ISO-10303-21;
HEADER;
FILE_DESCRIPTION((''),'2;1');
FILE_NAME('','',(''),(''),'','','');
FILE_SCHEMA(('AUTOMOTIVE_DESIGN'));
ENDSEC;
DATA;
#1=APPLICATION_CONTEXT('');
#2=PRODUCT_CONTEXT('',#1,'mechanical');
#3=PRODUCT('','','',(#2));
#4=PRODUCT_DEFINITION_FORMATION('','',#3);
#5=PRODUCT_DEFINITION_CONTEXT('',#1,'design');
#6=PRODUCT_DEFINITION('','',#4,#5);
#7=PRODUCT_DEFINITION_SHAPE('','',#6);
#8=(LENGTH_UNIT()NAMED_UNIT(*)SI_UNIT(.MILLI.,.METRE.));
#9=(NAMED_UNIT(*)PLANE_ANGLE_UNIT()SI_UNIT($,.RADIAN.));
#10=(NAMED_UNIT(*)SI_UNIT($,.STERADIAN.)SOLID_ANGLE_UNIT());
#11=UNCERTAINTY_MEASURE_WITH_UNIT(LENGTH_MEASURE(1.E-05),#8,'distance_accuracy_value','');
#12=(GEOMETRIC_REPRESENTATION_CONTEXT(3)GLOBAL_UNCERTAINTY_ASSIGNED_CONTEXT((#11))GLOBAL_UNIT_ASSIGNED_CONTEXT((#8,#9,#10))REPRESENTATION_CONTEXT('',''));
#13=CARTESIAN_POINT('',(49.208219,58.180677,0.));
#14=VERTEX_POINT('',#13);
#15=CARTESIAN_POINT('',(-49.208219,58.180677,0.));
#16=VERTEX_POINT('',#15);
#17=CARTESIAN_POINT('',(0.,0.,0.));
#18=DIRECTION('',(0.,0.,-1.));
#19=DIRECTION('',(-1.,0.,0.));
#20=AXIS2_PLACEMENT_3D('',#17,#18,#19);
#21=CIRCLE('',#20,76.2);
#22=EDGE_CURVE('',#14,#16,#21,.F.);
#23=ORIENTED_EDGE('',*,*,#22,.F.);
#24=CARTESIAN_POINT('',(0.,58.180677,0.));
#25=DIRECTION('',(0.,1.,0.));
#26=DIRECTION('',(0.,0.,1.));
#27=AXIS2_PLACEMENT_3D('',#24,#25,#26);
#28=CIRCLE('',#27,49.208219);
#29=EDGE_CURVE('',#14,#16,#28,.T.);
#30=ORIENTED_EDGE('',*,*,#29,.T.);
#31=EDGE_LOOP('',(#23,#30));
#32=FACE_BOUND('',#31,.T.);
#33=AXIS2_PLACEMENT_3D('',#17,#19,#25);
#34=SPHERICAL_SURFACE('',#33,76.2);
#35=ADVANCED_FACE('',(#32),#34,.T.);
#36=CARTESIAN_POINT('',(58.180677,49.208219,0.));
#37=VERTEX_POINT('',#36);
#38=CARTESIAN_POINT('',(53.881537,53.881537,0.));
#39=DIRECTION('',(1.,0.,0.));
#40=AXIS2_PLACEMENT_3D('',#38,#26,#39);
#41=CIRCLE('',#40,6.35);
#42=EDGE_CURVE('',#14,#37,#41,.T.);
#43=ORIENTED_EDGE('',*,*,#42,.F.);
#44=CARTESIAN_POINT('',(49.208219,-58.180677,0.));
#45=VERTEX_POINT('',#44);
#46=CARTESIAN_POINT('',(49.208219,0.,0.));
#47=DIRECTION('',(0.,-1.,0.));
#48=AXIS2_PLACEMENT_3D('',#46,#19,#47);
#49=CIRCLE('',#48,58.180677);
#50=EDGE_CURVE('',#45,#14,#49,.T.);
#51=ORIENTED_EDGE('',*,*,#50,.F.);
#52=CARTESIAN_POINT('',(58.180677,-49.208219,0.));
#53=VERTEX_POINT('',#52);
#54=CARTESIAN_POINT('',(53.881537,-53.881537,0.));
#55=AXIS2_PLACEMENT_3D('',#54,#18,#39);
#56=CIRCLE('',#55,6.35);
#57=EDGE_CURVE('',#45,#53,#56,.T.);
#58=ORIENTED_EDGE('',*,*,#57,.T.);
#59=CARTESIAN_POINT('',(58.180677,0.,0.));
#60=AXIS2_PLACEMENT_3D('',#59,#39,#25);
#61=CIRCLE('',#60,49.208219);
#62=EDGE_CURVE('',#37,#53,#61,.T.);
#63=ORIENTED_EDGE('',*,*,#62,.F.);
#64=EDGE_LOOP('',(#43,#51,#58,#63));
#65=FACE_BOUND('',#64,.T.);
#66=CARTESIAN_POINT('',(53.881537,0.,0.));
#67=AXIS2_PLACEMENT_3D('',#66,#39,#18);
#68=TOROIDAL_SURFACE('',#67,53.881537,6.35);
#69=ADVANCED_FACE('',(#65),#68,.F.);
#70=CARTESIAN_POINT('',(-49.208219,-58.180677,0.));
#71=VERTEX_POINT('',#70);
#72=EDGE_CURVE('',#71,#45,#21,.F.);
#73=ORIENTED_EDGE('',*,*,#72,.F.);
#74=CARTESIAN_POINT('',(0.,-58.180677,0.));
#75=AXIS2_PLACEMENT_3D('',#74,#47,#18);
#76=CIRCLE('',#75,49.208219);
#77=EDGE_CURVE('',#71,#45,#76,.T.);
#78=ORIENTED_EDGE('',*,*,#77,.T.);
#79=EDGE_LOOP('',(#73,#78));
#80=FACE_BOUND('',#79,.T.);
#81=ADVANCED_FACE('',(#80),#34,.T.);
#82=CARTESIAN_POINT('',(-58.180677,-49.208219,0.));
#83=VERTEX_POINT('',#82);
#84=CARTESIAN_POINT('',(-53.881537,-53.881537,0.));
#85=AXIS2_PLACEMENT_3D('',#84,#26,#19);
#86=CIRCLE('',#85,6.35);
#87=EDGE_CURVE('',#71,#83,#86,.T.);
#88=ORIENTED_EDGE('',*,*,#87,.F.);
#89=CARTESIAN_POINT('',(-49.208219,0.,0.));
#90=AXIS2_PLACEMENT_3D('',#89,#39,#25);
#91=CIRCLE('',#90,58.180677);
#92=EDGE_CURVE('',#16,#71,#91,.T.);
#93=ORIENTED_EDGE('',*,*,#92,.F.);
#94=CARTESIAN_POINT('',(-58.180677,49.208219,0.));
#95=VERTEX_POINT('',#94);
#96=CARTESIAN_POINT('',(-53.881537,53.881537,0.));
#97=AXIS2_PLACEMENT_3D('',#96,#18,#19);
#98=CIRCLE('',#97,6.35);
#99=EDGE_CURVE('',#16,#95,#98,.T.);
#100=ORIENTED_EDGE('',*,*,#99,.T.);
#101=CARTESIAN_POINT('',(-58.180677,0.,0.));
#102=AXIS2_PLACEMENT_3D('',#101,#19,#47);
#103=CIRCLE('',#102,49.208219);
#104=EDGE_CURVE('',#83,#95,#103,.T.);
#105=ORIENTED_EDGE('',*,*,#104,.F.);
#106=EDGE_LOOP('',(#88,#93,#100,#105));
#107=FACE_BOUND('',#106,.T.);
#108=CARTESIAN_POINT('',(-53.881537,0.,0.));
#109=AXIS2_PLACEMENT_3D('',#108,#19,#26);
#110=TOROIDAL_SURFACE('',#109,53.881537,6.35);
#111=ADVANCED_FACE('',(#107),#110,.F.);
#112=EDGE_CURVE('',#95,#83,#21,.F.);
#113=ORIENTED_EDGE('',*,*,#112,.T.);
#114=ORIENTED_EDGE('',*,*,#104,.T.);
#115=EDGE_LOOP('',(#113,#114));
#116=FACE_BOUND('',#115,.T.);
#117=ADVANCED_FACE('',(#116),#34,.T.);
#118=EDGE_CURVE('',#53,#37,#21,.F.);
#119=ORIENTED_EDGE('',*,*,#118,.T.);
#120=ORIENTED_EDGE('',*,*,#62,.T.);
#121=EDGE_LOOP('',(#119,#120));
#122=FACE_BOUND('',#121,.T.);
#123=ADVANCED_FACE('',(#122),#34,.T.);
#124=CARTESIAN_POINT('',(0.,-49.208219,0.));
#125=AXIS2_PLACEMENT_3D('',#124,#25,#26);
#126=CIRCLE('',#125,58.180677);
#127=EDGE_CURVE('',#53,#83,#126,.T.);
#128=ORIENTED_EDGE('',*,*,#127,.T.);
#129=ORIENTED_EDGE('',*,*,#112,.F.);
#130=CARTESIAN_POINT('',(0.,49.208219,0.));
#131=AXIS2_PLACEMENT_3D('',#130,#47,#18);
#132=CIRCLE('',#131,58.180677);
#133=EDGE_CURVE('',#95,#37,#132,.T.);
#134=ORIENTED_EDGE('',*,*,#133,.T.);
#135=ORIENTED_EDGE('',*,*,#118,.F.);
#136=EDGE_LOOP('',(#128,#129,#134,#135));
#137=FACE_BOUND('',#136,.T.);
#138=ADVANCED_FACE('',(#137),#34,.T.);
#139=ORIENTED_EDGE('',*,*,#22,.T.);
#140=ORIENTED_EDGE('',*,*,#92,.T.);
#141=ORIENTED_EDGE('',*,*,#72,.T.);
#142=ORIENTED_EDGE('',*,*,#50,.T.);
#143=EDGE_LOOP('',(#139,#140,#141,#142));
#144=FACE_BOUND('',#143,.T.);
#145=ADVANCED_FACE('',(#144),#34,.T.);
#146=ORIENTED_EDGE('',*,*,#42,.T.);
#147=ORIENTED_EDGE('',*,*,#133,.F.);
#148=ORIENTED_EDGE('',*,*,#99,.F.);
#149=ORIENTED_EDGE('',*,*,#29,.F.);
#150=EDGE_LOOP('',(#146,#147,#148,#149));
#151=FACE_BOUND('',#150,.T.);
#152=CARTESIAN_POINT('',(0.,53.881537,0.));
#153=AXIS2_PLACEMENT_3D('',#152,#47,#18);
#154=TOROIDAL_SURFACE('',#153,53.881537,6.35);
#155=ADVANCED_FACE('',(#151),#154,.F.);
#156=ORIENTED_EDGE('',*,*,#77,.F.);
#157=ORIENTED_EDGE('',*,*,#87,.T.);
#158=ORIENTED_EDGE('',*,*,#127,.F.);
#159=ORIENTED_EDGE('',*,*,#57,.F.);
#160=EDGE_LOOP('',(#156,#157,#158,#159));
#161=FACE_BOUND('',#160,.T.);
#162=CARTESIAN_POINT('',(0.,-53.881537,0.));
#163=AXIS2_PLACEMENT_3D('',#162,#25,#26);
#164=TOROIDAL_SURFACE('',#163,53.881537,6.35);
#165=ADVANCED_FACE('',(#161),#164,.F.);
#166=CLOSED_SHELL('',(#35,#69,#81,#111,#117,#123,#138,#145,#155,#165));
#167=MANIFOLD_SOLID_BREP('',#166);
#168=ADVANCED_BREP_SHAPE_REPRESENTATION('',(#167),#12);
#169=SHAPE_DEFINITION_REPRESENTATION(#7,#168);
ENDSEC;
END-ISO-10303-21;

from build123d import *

# Parameters (mm, degrees)
CUT_SWEEP1_PROFILE_R = 6.35


with BuildPart() as part:
    # Sketch1 → Revolve1 (revolve)
    with BuildSketch(Plane.XY):
        with BuildLine():
            Line((-76.2, 0), (76.2, 0))
            ThreePointArc((76.2, 0), (0, 76.2), (-76.2, 0))
        make_face()
    revolve(axis=Axis((-76.2, 0, 0), (1, 0, 0)))

    # Cut-Sweep1: sweep along a curve in space
    with BuildLine() as cut_sweep1_path:
        ThreePointArc((53.881536726, 53.881536726, 0), (0, 53.881536726, -53.881536726), (-53.881536726, 53.881536726, 0))
        ThreePointArc((-53.881536726, 53.881536726, 0), (-53.881536726, 0, 53.881536726), (-53.881536726, -53.881536726, 0))
        ThreePointArc((-53.881536726, -53.881536726, 0), (0, -53.881536726, -53.881536726), (53.881536726, -53.881536726, 0))
        ThreePointArc((53.881536726, -53.881536726, 0), (53.881536726, 0, 53.881536726), (53.881536726, 53.881536726, 0))
    # Cut-Sweep1 profile (on start of the path) → Cut-Sweep1 (sweep, cut)
    with BuildSketch(Plane(origin=(53.881536726, 53.881536726, 0), x_dir=(0, -1, 0), z_dir=(0, 0, -1))):
        Circle(CUT_SWEEP1_PROFILE_R)
    sweep(path=cut_sweep1_path.line, mode=Mode.SUBTRACT)


solid = part.part
